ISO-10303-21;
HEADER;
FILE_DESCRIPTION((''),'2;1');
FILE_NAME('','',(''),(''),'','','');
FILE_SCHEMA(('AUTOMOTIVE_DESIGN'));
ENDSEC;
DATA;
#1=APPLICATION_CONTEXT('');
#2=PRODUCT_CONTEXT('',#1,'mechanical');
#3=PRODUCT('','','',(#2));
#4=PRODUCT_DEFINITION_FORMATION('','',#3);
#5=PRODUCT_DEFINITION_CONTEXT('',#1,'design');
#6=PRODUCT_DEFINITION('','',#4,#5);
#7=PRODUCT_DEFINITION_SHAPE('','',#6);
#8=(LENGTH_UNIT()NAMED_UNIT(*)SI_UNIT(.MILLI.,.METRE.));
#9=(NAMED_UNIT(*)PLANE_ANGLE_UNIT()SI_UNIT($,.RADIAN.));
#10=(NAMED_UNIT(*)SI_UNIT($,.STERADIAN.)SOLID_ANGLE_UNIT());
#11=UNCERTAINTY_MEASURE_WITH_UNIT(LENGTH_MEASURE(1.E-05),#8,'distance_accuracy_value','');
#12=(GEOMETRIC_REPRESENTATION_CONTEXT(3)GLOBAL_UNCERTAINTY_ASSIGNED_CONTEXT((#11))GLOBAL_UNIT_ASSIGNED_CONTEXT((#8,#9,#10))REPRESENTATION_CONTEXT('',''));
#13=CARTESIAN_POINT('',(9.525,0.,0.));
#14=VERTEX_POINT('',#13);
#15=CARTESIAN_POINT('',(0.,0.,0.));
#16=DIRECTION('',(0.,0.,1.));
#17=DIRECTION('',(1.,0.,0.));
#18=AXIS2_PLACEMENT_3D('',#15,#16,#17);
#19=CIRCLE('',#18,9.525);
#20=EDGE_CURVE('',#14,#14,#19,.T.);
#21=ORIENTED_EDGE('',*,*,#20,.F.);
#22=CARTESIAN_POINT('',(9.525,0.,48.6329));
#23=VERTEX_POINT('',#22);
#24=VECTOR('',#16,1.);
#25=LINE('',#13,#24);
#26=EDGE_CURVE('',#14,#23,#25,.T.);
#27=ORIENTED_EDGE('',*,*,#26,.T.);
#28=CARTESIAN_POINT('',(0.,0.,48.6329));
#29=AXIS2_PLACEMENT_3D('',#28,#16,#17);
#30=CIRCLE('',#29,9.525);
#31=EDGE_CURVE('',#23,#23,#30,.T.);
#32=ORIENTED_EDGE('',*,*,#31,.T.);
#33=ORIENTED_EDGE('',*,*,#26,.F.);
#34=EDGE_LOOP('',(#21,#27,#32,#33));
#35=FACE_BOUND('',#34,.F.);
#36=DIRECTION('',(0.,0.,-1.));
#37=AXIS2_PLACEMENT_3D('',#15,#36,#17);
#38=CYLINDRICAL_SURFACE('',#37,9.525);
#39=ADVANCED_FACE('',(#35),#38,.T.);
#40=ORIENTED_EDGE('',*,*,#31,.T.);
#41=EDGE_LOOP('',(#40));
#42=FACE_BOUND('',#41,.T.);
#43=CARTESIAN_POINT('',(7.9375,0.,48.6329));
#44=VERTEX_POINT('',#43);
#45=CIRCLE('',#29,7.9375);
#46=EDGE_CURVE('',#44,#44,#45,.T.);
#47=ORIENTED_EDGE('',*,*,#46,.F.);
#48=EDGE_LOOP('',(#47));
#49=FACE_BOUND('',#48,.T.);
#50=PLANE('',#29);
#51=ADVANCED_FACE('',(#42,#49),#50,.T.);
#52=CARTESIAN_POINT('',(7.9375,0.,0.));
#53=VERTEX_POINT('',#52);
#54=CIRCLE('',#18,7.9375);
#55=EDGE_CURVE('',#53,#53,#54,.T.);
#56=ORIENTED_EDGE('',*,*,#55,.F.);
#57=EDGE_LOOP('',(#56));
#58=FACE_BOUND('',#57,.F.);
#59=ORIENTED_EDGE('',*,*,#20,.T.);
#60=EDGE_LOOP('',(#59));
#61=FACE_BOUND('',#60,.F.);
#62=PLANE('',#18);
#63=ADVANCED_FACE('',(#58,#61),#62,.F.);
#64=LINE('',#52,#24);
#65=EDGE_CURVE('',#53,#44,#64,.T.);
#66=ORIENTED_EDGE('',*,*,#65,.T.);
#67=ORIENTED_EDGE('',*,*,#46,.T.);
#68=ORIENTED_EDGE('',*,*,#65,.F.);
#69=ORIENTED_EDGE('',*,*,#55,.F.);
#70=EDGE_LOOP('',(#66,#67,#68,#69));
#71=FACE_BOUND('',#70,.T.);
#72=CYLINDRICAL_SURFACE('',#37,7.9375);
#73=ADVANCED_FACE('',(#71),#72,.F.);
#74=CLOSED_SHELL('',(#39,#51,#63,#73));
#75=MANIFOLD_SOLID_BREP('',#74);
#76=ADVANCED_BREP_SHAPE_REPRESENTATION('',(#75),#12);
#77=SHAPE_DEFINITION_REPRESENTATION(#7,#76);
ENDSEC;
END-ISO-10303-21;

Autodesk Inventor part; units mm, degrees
ref_plane "YZ Plane" through (0, 0, 0) normal (1, 0, 0) x (0, 1, 0)
ref_plane "XZ Plane" through (0, 0, 0) normal (0, 1, 0) x (-1, 0, 0)
ref_plane "XY Plane" through (0, 0, 0) normal (0, 0, 1) x (1, 0, 0)
sketch "Sketch1" plane through (0, 0, 0) normal (0, 0, 1) x (1, 0, 0)
  circle A0 centre (0, 0) radius 9.525
  circle A1 centre (0, 0) radius 7.9375
  dimension "d0" = 19.05
  dimension "d1" = 15.875
extrude "Extrusion1" add sketch "Sketch1" along normal blind 48.6329
properties part number "Shaft Spacer Part4" material "Aluminum 6061"
